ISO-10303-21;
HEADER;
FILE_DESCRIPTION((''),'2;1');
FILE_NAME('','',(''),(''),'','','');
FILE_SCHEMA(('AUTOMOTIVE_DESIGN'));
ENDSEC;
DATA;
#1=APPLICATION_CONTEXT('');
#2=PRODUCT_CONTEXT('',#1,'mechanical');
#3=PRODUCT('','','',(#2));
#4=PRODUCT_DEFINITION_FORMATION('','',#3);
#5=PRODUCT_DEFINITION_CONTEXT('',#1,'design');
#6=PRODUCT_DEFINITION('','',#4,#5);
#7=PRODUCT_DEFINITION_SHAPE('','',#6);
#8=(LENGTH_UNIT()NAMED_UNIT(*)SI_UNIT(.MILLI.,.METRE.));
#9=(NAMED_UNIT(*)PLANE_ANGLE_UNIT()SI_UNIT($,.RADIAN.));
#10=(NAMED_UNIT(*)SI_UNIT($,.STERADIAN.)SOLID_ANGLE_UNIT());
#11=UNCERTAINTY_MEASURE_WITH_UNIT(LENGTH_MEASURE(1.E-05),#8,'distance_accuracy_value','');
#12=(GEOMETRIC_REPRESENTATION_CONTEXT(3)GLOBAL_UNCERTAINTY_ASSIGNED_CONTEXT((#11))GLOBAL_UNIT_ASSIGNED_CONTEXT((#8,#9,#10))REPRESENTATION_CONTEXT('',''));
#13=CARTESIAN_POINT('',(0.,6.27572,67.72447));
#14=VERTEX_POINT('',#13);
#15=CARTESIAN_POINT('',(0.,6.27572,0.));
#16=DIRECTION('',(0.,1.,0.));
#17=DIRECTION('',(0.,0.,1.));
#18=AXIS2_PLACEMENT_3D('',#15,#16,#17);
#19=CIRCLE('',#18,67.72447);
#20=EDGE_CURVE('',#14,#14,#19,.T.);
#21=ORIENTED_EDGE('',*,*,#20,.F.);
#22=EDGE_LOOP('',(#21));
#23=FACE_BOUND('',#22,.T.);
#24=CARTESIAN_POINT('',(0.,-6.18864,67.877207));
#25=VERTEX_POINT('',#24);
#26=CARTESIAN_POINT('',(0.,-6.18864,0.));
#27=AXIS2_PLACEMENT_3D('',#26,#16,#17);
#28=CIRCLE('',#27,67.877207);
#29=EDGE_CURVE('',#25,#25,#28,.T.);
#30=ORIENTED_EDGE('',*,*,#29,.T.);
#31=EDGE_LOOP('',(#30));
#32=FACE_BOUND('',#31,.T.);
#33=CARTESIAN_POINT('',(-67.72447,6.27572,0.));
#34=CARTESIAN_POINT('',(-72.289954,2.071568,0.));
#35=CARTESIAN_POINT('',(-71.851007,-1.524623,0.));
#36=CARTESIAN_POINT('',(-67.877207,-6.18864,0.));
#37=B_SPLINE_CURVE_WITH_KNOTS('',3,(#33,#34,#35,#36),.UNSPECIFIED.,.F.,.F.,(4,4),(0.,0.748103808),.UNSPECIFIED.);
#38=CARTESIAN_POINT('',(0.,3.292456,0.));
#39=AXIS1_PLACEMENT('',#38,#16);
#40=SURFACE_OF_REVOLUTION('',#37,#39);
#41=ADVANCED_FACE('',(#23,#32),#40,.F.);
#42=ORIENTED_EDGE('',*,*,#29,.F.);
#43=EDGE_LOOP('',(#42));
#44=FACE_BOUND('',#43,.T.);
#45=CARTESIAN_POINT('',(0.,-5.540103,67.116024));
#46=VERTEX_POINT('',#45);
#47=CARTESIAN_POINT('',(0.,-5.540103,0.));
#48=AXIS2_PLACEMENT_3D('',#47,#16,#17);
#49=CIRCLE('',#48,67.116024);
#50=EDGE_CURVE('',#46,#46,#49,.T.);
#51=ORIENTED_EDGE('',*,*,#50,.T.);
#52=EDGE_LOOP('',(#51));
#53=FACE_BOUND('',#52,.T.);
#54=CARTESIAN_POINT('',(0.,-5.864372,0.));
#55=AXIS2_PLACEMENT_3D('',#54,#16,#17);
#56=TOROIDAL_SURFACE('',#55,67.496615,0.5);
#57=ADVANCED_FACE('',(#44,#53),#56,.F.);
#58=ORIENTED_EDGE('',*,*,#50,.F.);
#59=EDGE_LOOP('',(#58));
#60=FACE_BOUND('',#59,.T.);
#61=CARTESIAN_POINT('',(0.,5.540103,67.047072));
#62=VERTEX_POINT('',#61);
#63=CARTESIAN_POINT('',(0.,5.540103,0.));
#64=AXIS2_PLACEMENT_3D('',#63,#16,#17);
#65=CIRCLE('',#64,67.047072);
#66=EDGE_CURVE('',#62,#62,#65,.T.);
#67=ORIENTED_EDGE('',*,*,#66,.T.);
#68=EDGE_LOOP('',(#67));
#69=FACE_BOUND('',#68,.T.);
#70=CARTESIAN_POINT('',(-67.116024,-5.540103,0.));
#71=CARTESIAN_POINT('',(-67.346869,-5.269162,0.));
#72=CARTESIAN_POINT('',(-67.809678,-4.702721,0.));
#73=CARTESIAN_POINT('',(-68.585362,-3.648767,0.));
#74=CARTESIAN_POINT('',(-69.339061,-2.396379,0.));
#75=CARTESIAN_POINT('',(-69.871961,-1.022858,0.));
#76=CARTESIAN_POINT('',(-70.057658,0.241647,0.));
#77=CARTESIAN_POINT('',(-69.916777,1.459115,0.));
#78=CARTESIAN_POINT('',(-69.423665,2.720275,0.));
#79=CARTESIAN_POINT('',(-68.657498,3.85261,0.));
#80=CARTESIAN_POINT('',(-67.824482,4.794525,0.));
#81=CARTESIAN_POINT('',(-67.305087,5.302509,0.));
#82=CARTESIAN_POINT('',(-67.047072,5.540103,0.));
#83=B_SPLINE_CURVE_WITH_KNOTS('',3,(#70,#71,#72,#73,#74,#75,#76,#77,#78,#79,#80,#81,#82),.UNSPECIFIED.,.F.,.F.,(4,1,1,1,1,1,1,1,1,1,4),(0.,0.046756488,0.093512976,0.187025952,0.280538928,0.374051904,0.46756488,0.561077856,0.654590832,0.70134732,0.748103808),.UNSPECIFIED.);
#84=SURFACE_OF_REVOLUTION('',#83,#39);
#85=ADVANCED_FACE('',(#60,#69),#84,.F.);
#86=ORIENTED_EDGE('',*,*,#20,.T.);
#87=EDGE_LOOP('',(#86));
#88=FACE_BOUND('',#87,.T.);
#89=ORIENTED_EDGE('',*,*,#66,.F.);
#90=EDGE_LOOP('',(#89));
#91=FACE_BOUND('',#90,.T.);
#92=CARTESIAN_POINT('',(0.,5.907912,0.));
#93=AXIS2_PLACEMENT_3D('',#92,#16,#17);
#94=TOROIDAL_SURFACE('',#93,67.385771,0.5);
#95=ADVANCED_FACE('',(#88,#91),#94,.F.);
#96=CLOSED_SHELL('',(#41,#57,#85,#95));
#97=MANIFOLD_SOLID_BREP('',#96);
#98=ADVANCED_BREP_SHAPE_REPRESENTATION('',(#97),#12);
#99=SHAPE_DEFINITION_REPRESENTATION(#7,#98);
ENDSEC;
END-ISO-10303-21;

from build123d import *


with BuildPart() as part:
    # Sketch6 → Revolve3 (revolve)
    with BuildSketch(Plane.XY, mode=Mode.PRIVATE) as revolve3_sk:
        with BuildLine():
            ThreePointArc((-67.877206639, -6.18864014), (-67.820883755, -5.483780059), (-67.116023675, -5.540102943))
            add(Edge.make_bspline(
                [(-67.047072342, 5.540102943), (-67.305087109, 5.302508586), (-67.824481865, 4.794524607), (-68.657498416, 3.852610068), (-69.423665308, 2.720275242), (-69.916777092, 1.45911452), (-70.057658384, 0.241647071), (-69.871960844, -1.02285798), (-69.339061064, -2.396378628), (-68.585361992, -3.648766768), (-67.809678199, -4.702721444), (-67.34686907, -5.269161534), (-67.116023675, -5.540102943)],
                knots=[0, 0, 0, 0, 0.046756488, 0.093512976, 0.187025952, 0.280538928, 0.374051904, 0.46756488, 0.561077856, 0.654590832, 0.70134732, 0.748103808, 0.748103808, 0.748103808, 0.748103808], degree=3))
            ThreePointArc((-67.047072342, 5.540102943), (-67.753579673, 5.569212918), (-67.724469699, 6.275720249))
            add(Edge.make_bspline(
                [(-67.724469699, 6.275720249), (-72.289954114, 2.071568101), (-71.851006647, -1.524622582), (-67.877206639, -6.18864014)],
                knots=[0, 0, 0, 0, 0.748103808, 0.748103808, 0.748103808, 0.748103808], degree=3))
        make_face()
    revolve(revolve3_sk.sketch.rotate(Axis((0, 3.292455605, 0), (0, -1, 0)), 270), axis=Axis((0, 3.292455605, 0), (0, -1, 0)))


solid = part.part
